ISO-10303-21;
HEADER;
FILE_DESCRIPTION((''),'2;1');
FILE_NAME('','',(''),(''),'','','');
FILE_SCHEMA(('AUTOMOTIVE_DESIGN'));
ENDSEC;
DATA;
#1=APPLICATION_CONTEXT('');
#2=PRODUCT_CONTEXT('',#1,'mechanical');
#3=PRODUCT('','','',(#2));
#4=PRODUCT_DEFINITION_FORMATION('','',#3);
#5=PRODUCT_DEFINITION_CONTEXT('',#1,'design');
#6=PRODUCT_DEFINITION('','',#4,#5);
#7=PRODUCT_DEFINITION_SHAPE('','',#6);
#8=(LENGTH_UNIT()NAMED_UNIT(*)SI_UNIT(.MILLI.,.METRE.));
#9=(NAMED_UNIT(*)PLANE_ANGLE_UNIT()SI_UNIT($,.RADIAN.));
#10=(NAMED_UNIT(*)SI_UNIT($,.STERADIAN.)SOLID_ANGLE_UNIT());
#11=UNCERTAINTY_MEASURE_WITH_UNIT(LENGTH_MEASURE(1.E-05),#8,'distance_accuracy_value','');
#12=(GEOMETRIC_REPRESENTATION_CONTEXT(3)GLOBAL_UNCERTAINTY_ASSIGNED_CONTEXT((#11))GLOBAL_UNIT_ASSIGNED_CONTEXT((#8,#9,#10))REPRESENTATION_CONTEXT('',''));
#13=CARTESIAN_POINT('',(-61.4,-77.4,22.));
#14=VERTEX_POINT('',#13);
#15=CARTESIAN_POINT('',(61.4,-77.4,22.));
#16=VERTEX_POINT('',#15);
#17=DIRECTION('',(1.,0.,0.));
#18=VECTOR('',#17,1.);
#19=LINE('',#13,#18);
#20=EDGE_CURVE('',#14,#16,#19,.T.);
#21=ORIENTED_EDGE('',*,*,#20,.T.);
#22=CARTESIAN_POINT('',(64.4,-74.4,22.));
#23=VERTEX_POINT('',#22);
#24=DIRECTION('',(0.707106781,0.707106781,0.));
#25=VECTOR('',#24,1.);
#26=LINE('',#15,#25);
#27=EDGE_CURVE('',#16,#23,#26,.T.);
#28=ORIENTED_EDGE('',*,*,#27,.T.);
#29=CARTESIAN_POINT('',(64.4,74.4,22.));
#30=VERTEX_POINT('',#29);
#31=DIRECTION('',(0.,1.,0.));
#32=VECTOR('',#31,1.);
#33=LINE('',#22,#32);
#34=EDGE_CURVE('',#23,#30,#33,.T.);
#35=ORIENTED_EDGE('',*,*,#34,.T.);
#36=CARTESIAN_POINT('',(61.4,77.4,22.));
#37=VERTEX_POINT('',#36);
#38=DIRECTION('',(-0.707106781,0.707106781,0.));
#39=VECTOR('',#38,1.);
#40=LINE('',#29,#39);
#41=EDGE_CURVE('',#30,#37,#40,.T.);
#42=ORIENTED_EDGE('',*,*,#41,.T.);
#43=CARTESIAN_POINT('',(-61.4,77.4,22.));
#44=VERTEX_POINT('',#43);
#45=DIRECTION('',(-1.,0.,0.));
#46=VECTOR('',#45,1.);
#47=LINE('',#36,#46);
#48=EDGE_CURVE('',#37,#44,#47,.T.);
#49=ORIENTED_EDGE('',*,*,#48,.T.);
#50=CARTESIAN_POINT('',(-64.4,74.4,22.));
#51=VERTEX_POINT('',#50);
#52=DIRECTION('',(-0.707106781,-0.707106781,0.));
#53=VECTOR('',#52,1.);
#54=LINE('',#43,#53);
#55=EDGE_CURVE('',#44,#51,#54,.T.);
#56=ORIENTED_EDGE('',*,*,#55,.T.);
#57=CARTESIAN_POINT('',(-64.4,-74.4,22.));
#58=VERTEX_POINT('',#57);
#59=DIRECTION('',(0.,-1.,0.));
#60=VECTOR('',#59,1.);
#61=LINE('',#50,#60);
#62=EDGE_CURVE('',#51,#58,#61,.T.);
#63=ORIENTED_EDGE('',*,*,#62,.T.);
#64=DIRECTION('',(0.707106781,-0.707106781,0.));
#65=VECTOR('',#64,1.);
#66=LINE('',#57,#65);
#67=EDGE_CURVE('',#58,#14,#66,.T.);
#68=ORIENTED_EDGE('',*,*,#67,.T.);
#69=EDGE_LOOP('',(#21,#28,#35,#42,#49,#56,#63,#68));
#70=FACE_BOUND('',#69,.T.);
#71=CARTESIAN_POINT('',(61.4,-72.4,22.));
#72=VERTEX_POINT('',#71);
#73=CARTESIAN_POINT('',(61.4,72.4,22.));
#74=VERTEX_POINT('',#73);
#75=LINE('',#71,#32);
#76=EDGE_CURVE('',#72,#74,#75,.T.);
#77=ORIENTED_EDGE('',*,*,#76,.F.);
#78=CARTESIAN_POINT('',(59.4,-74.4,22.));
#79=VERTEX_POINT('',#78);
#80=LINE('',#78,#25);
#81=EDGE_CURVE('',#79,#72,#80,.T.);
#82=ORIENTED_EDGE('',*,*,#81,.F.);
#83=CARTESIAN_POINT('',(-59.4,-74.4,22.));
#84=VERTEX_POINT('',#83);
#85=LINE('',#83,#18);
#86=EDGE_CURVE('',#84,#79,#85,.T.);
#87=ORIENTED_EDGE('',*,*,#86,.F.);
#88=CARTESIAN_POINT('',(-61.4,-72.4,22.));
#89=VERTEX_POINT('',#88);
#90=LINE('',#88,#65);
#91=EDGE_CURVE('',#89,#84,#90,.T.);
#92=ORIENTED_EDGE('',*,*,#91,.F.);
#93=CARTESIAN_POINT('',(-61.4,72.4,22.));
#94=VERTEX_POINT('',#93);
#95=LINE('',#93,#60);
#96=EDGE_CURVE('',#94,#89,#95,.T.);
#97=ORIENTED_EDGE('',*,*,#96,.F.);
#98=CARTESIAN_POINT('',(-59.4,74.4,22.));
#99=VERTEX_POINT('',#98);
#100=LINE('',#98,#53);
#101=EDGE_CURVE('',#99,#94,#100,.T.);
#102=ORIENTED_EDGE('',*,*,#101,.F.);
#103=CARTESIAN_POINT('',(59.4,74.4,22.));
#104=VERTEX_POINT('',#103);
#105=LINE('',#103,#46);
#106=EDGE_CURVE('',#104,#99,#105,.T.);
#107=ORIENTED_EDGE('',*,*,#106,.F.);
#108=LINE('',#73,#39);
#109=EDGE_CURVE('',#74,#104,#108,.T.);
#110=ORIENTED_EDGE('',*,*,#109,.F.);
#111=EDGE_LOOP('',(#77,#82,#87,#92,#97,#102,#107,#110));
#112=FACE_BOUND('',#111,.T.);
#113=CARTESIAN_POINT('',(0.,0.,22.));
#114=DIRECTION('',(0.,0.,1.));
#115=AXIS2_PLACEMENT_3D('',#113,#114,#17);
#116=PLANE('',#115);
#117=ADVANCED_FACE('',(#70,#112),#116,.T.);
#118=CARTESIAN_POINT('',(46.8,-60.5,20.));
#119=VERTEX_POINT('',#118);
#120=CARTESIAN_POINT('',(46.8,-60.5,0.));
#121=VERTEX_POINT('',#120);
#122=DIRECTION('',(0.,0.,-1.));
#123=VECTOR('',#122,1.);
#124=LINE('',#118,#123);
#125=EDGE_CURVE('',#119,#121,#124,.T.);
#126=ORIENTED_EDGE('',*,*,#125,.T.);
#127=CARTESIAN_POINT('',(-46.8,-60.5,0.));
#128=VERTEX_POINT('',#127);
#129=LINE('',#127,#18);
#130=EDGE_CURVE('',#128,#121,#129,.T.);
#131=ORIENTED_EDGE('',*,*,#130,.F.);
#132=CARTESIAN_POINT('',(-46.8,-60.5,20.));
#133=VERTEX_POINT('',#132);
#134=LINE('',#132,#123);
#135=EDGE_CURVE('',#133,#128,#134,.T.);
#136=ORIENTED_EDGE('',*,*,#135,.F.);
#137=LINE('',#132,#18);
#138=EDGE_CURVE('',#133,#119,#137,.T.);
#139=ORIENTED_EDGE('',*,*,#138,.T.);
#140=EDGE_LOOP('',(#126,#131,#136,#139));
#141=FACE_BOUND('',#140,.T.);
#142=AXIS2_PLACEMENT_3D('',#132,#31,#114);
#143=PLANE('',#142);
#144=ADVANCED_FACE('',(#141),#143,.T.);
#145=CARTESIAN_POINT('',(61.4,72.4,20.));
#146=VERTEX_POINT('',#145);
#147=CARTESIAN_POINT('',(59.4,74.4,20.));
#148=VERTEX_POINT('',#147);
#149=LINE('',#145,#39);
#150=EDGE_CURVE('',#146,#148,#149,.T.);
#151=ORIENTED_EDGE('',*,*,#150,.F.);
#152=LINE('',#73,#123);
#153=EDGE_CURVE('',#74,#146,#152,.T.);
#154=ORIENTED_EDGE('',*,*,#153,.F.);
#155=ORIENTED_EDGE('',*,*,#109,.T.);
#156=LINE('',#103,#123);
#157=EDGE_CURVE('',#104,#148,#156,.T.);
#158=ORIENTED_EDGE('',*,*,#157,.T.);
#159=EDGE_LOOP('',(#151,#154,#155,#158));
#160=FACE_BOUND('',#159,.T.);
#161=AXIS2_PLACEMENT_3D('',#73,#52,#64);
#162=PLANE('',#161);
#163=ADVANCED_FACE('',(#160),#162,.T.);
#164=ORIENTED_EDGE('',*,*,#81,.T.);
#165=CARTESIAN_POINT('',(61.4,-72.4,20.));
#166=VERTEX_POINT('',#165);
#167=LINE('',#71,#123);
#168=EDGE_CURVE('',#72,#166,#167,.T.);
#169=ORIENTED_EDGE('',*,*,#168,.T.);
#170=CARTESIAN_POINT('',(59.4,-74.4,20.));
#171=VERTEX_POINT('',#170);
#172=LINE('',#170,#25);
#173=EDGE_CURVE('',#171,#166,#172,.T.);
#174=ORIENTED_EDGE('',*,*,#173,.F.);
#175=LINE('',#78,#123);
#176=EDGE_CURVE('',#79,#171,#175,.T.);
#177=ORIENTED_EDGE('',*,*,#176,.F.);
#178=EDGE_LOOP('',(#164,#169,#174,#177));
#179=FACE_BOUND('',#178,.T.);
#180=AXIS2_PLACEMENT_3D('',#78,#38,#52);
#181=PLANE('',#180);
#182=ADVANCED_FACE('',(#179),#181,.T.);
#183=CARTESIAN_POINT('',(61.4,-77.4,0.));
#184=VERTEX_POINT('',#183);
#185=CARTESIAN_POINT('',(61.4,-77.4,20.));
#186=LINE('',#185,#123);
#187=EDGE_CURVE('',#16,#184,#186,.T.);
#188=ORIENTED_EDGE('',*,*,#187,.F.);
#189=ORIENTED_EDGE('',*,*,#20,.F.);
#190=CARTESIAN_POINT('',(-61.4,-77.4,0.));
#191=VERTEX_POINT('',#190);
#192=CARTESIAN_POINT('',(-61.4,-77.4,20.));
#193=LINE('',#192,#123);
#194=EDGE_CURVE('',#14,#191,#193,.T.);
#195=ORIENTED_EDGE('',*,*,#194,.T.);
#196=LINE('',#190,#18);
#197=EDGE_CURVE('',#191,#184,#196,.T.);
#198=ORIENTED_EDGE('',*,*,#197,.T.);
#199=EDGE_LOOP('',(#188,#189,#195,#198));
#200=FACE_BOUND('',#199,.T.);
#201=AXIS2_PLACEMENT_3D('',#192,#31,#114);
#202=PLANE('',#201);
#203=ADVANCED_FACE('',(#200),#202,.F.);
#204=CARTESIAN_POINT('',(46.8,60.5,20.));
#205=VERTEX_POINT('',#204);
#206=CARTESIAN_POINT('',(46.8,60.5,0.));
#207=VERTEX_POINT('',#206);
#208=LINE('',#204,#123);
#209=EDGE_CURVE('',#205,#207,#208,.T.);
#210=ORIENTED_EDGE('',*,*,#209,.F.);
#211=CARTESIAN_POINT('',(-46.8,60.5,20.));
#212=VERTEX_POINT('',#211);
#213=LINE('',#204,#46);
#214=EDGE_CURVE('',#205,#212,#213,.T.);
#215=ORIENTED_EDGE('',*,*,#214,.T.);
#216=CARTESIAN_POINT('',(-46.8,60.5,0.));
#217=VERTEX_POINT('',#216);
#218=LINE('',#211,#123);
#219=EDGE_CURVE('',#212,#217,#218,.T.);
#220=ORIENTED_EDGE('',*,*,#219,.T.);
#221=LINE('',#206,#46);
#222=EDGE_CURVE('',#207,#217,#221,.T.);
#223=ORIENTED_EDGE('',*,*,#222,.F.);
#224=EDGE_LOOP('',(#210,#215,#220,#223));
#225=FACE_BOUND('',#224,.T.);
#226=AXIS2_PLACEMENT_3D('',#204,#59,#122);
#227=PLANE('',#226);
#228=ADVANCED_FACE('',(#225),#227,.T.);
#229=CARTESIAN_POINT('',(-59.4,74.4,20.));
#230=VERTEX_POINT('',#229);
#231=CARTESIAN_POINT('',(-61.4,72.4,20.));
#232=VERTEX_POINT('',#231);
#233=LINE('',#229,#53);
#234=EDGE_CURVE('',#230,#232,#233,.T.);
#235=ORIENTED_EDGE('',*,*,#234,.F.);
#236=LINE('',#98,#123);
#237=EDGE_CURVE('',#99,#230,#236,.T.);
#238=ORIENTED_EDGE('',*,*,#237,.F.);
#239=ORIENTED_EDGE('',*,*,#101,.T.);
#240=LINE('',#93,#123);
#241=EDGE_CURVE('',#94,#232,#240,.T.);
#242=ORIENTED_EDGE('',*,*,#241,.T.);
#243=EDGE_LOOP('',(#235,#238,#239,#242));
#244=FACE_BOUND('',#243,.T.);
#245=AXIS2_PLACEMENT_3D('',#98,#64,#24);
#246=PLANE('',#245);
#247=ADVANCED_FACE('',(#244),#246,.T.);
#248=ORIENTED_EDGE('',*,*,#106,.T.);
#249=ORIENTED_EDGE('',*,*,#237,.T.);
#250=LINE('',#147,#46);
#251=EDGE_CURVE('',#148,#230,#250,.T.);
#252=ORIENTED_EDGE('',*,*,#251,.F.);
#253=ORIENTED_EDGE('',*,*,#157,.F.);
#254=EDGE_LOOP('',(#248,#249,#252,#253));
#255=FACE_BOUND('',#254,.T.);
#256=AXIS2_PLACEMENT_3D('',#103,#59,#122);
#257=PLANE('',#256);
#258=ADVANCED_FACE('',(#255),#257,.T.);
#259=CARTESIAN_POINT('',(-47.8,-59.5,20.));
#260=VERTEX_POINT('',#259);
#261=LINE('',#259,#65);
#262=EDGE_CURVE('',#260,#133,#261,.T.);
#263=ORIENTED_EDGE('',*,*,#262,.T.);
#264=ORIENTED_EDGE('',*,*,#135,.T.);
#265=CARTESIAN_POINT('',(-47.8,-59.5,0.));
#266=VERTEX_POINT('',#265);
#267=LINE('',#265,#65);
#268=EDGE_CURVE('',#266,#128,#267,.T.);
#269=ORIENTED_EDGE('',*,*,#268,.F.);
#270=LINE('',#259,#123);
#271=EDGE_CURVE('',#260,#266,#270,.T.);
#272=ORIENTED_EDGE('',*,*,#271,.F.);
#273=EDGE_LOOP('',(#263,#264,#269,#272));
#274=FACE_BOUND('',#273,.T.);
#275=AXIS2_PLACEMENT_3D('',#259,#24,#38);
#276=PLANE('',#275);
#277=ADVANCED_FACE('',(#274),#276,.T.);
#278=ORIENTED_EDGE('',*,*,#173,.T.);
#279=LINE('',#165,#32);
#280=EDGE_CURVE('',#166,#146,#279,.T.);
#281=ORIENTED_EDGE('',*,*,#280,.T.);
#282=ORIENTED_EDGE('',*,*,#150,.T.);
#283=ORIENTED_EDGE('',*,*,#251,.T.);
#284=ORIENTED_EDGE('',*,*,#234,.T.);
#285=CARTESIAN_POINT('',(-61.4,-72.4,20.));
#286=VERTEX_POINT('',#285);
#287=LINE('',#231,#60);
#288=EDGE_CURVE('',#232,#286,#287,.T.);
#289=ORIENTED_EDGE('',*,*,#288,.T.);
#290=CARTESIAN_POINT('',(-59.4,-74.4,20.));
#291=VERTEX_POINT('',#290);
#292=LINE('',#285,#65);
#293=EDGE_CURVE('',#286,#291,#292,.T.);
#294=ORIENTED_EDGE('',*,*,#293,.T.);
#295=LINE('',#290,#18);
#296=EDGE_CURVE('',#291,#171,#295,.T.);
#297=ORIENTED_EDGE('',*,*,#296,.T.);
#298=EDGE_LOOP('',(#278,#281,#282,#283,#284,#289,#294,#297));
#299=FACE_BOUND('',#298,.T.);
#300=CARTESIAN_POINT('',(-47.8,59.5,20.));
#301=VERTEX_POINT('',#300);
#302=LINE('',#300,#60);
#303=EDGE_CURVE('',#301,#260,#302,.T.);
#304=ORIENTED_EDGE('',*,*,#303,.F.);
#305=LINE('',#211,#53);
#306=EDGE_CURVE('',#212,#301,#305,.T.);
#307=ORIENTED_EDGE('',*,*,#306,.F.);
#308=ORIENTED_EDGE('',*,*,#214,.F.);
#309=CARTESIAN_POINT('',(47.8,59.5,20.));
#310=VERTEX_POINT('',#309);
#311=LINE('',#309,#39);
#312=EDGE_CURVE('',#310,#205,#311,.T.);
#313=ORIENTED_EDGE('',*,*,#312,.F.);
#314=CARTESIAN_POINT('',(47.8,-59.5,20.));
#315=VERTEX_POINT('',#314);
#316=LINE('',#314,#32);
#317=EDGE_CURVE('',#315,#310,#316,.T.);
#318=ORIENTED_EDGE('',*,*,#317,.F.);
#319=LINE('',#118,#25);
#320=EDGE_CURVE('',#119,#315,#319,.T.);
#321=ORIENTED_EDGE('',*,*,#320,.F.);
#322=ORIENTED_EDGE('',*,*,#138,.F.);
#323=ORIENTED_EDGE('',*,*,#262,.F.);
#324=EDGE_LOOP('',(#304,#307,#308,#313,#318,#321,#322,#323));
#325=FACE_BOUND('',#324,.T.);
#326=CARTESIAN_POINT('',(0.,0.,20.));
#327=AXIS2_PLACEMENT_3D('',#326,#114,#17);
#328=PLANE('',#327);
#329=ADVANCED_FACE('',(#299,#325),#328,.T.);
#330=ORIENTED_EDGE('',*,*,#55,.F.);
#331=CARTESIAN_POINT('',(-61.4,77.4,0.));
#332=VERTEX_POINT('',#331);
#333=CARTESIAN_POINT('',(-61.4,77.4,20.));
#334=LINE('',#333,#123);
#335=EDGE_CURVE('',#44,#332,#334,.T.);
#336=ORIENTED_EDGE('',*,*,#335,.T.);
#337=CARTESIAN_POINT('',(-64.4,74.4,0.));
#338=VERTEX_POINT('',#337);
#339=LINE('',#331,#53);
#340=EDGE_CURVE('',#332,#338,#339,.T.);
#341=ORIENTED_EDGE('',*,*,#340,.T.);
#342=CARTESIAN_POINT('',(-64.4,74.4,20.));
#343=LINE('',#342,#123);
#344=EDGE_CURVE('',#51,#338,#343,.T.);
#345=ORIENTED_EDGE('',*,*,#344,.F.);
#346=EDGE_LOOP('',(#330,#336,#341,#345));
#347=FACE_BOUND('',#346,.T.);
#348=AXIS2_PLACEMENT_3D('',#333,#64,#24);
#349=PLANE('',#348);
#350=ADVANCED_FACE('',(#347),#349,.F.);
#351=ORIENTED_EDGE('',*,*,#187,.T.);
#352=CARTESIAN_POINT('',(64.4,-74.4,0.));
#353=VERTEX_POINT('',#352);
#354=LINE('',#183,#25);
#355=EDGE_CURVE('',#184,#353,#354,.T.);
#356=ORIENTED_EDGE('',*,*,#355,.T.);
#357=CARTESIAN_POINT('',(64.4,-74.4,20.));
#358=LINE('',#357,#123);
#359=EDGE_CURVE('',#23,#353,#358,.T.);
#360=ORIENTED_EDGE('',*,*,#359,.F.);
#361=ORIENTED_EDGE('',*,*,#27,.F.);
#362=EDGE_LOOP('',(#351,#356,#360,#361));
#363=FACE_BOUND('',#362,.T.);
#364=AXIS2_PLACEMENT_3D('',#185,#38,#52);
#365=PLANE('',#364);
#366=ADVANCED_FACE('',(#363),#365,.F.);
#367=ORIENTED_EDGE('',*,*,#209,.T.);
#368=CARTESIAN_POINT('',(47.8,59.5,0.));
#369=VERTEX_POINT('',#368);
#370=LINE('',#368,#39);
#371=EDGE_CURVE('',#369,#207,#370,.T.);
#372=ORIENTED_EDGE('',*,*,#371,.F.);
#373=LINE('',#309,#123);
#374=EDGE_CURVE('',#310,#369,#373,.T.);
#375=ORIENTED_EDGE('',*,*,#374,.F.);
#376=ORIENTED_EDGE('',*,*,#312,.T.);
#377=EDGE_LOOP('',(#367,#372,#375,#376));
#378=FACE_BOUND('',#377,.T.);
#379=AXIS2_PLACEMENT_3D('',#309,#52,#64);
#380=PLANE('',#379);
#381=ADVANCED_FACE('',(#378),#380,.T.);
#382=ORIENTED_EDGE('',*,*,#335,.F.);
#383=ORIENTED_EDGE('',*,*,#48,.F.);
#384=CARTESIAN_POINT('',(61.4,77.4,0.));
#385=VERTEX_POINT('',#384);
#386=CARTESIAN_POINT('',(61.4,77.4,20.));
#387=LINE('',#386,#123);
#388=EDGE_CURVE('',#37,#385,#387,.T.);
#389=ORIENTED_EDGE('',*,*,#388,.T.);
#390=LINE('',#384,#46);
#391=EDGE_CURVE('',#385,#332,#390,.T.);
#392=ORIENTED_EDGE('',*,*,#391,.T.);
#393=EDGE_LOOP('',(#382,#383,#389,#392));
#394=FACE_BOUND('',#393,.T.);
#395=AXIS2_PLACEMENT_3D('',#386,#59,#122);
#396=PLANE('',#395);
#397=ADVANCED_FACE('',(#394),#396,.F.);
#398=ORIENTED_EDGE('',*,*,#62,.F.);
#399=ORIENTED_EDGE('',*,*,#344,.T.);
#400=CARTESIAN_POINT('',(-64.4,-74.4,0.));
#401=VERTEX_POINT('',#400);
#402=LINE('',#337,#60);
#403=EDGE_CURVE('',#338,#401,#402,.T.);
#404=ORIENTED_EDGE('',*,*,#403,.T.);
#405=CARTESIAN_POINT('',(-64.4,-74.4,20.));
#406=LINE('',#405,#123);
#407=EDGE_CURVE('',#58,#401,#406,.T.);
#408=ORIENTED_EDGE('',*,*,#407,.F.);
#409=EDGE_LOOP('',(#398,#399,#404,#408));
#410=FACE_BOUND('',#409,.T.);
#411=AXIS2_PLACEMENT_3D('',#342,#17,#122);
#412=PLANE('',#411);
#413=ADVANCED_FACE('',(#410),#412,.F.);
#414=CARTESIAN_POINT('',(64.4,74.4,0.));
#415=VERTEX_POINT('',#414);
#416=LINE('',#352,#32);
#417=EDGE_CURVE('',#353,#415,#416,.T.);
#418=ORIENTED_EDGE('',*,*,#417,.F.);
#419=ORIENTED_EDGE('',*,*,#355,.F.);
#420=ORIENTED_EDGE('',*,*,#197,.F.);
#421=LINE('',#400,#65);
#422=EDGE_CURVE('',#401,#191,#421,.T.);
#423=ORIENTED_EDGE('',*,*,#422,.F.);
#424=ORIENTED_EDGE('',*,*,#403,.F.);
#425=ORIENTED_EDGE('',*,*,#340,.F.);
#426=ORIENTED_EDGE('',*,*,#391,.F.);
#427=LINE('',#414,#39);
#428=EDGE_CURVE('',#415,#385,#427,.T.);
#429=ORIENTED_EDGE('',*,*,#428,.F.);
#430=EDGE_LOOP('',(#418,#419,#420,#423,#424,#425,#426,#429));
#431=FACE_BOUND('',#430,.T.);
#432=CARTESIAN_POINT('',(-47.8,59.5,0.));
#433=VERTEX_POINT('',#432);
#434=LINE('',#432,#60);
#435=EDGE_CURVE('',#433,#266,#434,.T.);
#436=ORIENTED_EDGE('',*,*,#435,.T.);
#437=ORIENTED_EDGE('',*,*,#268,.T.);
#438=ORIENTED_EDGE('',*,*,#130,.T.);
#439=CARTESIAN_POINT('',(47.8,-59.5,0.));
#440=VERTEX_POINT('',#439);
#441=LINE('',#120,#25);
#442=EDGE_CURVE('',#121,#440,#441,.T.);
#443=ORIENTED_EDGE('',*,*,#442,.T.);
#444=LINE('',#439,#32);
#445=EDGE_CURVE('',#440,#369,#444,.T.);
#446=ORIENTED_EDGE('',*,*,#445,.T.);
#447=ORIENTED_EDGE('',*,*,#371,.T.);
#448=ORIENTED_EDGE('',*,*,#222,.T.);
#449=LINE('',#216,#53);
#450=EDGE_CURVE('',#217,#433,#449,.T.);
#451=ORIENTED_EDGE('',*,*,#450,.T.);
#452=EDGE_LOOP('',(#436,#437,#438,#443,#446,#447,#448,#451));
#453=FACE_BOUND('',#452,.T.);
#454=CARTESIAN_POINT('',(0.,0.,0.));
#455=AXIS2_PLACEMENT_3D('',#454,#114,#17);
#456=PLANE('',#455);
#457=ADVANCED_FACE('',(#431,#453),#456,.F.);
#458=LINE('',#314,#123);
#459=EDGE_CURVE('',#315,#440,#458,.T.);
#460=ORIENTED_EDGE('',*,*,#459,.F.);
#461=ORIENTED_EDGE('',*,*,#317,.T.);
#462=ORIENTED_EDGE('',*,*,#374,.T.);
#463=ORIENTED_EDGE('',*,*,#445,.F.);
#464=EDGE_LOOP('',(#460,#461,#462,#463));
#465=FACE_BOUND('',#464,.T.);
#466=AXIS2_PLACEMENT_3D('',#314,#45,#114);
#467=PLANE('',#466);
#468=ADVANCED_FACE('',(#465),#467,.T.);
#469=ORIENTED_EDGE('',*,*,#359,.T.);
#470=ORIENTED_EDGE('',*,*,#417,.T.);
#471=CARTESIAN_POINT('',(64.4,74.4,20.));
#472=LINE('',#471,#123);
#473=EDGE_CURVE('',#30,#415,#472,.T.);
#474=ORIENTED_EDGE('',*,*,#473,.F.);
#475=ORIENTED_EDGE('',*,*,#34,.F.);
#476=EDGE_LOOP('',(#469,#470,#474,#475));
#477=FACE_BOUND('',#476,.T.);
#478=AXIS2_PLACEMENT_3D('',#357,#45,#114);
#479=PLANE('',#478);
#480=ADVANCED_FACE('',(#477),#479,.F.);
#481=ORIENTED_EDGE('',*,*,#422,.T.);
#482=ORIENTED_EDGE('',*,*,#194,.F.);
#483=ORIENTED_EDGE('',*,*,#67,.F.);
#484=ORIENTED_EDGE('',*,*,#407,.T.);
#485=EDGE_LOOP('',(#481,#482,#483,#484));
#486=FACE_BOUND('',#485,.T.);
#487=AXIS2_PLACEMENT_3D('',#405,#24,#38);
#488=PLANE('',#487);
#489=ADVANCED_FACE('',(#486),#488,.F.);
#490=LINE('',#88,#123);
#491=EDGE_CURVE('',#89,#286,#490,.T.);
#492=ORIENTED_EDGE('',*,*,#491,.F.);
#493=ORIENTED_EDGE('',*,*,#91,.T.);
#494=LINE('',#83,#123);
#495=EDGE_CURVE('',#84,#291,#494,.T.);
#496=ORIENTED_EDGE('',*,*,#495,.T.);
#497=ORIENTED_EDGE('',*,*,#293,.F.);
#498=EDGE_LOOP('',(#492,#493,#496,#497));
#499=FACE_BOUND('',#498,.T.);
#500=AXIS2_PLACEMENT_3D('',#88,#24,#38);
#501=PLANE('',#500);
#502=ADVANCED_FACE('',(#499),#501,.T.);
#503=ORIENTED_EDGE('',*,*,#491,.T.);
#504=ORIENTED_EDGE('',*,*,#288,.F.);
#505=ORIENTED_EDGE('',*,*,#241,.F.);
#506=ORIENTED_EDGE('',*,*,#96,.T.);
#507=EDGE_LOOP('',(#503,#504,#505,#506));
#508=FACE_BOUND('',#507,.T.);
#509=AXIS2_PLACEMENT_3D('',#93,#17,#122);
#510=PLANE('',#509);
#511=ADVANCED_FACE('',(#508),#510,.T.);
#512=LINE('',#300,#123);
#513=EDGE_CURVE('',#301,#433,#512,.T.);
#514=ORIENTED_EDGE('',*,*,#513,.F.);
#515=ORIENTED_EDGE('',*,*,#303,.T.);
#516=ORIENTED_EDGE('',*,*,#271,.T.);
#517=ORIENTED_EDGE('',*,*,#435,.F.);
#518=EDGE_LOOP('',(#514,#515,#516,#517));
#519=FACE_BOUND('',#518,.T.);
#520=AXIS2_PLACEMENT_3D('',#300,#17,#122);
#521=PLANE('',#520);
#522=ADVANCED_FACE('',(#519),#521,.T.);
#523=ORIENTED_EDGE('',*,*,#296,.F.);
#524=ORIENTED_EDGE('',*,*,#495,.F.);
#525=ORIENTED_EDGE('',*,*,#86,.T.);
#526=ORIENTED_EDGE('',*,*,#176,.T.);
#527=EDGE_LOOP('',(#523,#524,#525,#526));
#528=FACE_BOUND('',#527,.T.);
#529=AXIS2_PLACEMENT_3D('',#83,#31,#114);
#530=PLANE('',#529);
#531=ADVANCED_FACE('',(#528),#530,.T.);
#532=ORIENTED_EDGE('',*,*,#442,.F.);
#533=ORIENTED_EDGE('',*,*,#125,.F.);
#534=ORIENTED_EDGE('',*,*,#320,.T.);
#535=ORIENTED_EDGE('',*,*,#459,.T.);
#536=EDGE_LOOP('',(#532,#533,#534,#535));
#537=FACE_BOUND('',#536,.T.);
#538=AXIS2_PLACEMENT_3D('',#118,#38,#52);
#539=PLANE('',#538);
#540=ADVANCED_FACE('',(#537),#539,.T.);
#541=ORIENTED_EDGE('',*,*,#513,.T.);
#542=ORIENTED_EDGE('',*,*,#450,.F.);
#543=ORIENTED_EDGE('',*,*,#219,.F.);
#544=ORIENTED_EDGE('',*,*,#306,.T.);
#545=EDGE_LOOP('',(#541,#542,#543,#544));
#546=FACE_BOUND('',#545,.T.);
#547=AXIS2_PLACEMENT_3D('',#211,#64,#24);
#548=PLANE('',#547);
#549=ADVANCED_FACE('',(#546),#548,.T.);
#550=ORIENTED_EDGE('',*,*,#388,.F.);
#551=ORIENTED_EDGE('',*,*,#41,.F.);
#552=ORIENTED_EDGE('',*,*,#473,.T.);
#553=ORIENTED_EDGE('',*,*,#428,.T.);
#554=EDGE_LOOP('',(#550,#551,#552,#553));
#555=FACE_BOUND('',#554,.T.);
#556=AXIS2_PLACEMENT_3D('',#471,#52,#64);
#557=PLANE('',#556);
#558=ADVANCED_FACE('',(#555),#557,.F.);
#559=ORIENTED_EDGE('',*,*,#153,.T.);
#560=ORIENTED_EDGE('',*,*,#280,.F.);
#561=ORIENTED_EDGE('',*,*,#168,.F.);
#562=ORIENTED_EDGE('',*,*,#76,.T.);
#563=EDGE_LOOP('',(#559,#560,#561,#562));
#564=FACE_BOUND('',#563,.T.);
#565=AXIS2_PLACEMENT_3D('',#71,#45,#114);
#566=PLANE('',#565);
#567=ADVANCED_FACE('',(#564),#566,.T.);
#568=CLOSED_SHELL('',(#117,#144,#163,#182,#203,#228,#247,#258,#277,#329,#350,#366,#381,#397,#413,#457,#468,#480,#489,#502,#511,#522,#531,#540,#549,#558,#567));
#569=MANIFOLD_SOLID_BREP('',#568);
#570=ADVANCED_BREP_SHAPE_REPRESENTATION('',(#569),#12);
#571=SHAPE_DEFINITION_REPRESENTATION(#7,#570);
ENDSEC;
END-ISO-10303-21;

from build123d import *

# Parameters (mm, degrees)
SUPPORT_PLANE_EXACTLY_20MM_ABOVE_TABLE_DEPTH   = 20
LOW_LOCATING_LIP_0P4MM_CLEARANCE_EACH_SI_START = 20
LOW_LOCATING_LIP_0P4MM_CLEARANCE_EACH_SI_DEPTH = 2


with BuildPart() as part:
    # 草图1 → Support_plane_exactly_20mm_above_table (new body)
    with BuildSketch(Plane.XY):
        Polygon((-61.4, -77.4), (61.4, -77.4), (64.4, -74.4), (64.4, 74.4), (61.4, 77.4), (-61.4, 77.4), (-64.4, 74.4), (-64.4, -74.4), align=None)
        Polygon((-46.8, -60.5), (46.8, -60.5), (47.8, -59.5), (47.8, 59.5), (46.8, 60.5), (-46.8, 60.5), (-47.8, 59.5), (-47.8, -59.5), align=None, mode=Mode.SUBTRACT)
    extrude(amount=SUPPORT_PLANE_EXACTLY_20MM_ABOVE_TABLE_DEPTH)

    # 草图2 → Low_locating_lip_0p4mm_clearance_each_side (add)
    with BuildSketch(Plane.XY.offset(LOW_LOCATING_LIP_0P4MM_CLEARANCE_EACH_SI_START)):
        Polygon((-61.4, -77.4), (61.4, -77.4), (64.4, -74.4), (64.4, 74.4), (61.4, 77.4), (-61.4, 77.4), (-64.4, 74.4), (-64.4, -74.4), align=None)
        Polygon((-59.4, -74.4), (59.4, -74.4), (61.4, -72.4), (61.4, 72.4), (59.4, 74.4), (-59.4, 74.4), (-61.4, 72.4), (-61.4, -72.4), align=None, mode=Mode.SUBTRACT)
    extrude(amount=LOW_LOCATING_LIP_0P4MM_CLEARANCE_EACH_SI_DEPTH)


solid = part.part
